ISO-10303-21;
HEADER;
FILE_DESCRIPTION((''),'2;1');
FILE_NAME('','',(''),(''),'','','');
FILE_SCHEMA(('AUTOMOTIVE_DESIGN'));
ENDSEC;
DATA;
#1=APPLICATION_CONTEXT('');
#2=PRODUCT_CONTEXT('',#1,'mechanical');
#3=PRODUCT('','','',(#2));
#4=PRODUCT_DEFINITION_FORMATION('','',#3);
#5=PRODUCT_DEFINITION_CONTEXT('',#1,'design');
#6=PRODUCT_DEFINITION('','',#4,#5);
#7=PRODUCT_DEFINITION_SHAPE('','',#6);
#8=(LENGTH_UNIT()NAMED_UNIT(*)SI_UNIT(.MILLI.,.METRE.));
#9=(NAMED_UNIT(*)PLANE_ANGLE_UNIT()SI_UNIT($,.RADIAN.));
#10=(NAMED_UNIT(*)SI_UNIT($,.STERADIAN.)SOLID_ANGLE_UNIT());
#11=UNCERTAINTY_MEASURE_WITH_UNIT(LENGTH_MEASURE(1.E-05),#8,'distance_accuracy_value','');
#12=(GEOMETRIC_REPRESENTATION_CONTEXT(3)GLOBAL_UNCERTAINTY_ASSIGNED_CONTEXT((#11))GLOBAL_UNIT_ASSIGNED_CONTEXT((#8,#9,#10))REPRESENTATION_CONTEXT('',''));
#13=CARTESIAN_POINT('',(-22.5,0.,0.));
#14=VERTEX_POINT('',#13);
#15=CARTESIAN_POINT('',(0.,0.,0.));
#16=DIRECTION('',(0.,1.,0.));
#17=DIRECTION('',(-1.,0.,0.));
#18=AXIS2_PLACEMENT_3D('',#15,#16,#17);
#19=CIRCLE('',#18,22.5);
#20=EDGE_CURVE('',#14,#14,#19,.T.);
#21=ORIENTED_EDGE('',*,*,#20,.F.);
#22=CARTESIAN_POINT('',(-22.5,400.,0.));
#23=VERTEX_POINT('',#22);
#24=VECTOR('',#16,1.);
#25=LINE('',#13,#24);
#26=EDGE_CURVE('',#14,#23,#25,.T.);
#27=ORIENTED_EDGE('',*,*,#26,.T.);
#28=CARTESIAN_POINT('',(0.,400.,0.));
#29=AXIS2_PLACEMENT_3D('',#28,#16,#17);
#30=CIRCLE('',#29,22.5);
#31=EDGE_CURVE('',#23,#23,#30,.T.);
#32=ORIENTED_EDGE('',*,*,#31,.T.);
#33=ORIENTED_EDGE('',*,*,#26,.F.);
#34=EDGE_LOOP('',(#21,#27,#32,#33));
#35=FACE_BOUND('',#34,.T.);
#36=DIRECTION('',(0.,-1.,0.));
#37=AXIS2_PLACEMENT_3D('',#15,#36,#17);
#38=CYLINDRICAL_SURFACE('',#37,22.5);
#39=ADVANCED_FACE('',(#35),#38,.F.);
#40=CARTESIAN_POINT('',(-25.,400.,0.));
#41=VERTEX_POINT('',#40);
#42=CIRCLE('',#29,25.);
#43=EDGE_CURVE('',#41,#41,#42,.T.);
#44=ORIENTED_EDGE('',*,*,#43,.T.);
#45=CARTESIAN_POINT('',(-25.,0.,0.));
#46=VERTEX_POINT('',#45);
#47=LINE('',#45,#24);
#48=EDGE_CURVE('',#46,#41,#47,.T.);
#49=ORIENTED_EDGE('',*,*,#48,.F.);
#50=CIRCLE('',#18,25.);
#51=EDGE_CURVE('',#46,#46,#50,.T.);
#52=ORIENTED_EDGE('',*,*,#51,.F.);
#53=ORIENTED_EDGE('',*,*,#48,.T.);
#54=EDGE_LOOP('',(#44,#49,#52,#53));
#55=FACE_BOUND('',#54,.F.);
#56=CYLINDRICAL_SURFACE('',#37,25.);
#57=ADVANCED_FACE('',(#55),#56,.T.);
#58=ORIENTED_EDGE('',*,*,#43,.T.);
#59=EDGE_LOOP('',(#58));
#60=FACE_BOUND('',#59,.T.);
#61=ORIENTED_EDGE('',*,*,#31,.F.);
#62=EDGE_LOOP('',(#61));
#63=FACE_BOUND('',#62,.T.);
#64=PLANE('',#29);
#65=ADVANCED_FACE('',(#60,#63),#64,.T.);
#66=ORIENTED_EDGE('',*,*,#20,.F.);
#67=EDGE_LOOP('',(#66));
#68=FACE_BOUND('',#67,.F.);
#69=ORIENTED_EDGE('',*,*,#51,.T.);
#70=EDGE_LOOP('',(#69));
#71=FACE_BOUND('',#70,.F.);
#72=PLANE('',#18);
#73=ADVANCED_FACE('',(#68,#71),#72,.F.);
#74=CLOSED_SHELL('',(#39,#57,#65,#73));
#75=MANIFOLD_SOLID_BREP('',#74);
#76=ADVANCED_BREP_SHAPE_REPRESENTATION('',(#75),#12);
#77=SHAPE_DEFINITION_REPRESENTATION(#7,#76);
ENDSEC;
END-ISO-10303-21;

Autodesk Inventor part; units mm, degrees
ref_plane "YZ Plane" through (0, 0, 0) normal (1, 0, 0) x (0, 1, 0)
ref_plane "XZ Plane" through (0, 0, 0) normal (0, 1, 0) x (-1, 0, 0)
ref_plane "XY Plane" through (0, 0, 0) normal (0, 0, 1) x (1, 0, 0)
sketch "Esquisse1" plane through (0, 0, 0) normal (0, 1, 0) x (-1, 0, 0)
  circle A0 centre (0, 0) radius 25
  circle A1 centre (0, 0) radius 22.5
  dimension "d0" = 50
  dimension "d1" = 2.5
extrude "Extrusion1" add sketch "Esquisse1" along normal blind 400
properties part number "Tube Lanceur" material "Plastique PMMA"
